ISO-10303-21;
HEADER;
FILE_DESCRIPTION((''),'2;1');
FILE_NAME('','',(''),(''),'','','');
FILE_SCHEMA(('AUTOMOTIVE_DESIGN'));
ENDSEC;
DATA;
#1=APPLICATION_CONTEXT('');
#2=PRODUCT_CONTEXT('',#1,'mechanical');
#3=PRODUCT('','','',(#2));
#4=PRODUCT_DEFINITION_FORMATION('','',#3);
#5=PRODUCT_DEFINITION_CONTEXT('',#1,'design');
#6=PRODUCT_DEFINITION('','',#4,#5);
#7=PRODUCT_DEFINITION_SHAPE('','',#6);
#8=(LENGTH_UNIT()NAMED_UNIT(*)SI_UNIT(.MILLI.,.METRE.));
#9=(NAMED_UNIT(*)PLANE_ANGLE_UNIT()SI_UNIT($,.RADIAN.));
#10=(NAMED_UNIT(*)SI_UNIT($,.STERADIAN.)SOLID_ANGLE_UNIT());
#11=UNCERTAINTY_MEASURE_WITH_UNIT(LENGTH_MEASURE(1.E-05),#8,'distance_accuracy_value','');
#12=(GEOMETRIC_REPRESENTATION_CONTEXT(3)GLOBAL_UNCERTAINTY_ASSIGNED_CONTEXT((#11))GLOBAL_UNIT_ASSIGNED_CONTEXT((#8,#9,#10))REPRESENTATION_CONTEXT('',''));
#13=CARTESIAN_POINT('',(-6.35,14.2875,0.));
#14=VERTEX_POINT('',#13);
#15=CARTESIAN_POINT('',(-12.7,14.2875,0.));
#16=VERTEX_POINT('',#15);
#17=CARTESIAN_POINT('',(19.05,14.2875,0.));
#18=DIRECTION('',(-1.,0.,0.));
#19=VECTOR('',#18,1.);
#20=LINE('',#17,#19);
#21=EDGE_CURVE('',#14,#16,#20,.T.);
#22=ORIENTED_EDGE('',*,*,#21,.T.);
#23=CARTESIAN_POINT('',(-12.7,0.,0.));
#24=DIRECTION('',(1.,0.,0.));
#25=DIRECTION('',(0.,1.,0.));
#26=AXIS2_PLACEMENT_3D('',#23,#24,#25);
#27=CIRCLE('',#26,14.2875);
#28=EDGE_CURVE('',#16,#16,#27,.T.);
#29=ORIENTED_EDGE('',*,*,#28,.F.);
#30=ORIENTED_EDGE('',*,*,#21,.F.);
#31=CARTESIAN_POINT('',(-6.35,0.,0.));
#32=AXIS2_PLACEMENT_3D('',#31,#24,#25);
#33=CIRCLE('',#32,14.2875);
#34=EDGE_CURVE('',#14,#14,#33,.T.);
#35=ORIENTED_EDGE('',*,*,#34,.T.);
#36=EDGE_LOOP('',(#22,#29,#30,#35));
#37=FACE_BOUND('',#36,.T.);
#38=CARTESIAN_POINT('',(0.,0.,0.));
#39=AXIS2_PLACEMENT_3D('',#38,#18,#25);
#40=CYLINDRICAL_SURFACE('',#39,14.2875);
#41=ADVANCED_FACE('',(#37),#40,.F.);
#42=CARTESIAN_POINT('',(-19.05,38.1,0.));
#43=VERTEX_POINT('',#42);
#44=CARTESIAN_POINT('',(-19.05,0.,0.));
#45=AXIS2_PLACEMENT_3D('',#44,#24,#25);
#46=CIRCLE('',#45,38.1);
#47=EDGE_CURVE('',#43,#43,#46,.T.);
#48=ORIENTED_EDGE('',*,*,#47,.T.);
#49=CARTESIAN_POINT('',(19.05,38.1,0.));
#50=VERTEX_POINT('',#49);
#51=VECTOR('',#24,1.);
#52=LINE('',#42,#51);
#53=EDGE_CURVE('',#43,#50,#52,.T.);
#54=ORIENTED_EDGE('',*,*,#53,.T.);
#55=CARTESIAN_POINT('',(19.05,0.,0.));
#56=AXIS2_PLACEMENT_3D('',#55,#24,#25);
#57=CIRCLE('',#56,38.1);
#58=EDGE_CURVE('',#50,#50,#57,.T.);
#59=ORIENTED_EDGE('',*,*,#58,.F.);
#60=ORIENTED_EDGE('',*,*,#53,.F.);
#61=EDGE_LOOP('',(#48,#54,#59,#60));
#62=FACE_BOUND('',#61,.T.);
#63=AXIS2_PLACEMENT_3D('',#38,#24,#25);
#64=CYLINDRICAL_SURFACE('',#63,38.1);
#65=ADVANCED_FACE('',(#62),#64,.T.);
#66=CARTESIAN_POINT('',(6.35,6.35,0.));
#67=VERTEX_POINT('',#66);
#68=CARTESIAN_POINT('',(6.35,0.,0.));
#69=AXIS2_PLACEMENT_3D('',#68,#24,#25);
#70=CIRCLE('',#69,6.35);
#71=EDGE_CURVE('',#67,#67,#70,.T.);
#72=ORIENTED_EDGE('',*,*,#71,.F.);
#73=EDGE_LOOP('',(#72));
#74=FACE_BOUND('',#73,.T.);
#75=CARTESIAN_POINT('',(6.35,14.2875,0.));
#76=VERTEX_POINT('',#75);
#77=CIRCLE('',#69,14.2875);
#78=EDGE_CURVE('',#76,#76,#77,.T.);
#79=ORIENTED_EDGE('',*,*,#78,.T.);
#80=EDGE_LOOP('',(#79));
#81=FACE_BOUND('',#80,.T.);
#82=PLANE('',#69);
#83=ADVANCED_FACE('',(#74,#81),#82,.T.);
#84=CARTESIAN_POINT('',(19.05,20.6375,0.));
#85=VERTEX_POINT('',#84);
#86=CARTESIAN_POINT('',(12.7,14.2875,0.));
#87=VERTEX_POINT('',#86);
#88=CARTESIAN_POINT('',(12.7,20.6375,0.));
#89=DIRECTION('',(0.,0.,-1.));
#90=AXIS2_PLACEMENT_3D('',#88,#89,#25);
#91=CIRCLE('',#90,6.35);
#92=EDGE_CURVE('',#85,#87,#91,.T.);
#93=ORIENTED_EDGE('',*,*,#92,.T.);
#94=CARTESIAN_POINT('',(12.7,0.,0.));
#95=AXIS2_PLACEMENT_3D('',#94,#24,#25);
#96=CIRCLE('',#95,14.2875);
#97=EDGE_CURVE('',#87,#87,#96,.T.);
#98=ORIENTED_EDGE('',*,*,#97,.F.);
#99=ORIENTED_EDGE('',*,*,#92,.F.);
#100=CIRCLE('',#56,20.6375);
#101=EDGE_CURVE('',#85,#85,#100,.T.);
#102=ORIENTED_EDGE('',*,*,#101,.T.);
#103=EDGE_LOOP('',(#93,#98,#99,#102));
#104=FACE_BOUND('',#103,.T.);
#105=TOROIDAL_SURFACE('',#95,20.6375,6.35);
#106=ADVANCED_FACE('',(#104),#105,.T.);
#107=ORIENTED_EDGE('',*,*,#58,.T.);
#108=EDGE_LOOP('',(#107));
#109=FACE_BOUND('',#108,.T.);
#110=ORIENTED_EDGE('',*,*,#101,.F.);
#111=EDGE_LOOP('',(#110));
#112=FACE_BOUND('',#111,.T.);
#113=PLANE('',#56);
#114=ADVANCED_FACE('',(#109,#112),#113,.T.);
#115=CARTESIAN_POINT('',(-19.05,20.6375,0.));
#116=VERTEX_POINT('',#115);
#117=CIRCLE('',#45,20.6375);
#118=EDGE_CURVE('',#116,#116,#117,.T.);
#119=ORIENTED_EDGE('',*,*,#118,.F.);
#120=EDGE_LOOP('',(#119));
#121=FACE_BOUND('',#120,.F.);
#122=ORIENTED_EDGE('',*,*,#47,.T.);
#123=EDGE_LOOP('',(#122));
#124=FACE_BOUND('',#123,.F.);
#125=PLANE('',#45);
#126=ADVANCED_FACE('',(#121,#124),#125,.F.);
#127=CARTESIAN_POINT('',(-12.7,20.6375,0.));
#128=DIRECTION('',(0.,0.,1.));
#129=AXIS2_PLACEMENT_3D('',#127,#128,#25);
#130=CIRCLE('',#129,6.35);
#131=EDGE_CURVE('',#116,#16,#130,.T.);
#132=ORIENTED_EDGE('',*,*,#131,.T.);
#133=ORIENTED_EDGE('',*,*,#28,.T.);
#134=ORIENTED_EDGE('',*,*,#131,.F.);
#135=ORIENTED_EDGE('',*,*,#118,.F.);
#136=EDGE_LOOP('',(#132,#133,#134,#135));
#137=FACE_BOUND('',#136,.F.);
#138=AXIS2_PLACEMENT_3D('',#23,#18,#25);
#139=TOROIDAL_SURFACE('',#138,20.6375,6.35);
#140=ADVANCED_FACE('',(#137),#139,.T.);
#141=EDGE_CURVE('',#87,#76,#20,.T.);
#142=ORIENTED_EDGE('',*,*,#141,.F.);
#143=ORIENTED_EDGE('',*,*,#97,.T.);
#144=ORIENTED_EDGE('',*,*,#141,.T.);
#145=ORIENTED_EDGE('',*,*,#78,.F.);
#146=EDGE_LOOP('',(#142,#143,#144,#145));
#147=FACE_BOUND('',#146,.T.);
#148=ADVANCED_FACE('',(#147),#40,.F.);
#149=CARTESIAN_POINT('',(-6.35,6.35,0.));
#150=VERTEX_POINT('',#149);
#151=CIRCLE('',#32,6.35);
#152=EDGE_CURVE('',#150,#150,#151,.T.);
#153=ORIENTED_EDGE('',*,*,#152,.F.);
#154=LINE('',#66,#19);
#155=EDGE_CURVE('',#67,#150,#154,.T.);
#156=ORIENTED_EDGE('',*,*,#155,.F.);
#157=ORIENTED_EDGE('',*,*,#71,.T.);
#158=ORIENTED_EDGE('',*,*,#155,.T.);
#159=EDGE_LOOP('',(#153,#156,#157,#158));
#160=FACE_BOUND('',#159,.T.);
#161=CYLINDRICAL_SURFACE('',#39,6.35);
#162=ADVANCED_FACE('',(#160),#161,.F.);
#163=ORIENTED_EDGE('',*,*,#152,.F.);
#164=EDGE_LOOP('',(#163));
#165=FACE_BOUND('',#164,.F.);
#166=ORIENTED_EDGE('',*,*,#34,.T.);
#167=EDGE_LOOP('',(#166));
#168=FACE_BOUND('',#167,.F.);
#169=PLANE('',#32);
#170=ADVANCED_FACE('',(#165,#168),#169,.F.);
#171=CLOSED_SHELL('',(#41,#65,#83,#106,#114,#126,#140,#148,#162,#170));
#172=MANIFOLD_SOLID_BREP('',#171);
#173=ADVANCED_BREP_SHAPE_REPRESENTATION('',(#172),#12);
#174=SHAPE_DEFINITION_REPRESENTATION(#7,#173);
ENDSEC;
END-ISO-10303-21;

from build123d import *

# Parameters (mm, degrees)
F0_R     = 38.1
F0_R_2   = 14.2875
F1_DEPTH = 19.05
F0_R_3   = 6.35
F2_DEPTH = 6.35
F3_R     = 6.35


with BuildPart() as f1:
    # F0 (on Right) → F1 (new body, symmetric)
    with BuildSketch(Plane.YZ):
        Circle(F0_R)
        Circle(F0_R_2, mode=Mode.SUBTRACT)
    extrude(amount=F1_DEPTH, both=True)

    # F0 (on Right) → F2 (join, symmetric)
    with BuildSketch(Plane.YZ):
        Circle(F0_R_2)
        Circle(F0_R_3, mode=Mode.SUBTRACT)
    extrude(amount=F2_DEPTH, both=True)

    # F3
    f3_edges = [f1.edges().sort_by_distance(p)[0] for p in [
        (-19.05, -14.2875, 0),
        (19.05, -14.2875, 0),
    ]]
    fillet(f3_edges, radius=F3_R)


solid = f1.part
